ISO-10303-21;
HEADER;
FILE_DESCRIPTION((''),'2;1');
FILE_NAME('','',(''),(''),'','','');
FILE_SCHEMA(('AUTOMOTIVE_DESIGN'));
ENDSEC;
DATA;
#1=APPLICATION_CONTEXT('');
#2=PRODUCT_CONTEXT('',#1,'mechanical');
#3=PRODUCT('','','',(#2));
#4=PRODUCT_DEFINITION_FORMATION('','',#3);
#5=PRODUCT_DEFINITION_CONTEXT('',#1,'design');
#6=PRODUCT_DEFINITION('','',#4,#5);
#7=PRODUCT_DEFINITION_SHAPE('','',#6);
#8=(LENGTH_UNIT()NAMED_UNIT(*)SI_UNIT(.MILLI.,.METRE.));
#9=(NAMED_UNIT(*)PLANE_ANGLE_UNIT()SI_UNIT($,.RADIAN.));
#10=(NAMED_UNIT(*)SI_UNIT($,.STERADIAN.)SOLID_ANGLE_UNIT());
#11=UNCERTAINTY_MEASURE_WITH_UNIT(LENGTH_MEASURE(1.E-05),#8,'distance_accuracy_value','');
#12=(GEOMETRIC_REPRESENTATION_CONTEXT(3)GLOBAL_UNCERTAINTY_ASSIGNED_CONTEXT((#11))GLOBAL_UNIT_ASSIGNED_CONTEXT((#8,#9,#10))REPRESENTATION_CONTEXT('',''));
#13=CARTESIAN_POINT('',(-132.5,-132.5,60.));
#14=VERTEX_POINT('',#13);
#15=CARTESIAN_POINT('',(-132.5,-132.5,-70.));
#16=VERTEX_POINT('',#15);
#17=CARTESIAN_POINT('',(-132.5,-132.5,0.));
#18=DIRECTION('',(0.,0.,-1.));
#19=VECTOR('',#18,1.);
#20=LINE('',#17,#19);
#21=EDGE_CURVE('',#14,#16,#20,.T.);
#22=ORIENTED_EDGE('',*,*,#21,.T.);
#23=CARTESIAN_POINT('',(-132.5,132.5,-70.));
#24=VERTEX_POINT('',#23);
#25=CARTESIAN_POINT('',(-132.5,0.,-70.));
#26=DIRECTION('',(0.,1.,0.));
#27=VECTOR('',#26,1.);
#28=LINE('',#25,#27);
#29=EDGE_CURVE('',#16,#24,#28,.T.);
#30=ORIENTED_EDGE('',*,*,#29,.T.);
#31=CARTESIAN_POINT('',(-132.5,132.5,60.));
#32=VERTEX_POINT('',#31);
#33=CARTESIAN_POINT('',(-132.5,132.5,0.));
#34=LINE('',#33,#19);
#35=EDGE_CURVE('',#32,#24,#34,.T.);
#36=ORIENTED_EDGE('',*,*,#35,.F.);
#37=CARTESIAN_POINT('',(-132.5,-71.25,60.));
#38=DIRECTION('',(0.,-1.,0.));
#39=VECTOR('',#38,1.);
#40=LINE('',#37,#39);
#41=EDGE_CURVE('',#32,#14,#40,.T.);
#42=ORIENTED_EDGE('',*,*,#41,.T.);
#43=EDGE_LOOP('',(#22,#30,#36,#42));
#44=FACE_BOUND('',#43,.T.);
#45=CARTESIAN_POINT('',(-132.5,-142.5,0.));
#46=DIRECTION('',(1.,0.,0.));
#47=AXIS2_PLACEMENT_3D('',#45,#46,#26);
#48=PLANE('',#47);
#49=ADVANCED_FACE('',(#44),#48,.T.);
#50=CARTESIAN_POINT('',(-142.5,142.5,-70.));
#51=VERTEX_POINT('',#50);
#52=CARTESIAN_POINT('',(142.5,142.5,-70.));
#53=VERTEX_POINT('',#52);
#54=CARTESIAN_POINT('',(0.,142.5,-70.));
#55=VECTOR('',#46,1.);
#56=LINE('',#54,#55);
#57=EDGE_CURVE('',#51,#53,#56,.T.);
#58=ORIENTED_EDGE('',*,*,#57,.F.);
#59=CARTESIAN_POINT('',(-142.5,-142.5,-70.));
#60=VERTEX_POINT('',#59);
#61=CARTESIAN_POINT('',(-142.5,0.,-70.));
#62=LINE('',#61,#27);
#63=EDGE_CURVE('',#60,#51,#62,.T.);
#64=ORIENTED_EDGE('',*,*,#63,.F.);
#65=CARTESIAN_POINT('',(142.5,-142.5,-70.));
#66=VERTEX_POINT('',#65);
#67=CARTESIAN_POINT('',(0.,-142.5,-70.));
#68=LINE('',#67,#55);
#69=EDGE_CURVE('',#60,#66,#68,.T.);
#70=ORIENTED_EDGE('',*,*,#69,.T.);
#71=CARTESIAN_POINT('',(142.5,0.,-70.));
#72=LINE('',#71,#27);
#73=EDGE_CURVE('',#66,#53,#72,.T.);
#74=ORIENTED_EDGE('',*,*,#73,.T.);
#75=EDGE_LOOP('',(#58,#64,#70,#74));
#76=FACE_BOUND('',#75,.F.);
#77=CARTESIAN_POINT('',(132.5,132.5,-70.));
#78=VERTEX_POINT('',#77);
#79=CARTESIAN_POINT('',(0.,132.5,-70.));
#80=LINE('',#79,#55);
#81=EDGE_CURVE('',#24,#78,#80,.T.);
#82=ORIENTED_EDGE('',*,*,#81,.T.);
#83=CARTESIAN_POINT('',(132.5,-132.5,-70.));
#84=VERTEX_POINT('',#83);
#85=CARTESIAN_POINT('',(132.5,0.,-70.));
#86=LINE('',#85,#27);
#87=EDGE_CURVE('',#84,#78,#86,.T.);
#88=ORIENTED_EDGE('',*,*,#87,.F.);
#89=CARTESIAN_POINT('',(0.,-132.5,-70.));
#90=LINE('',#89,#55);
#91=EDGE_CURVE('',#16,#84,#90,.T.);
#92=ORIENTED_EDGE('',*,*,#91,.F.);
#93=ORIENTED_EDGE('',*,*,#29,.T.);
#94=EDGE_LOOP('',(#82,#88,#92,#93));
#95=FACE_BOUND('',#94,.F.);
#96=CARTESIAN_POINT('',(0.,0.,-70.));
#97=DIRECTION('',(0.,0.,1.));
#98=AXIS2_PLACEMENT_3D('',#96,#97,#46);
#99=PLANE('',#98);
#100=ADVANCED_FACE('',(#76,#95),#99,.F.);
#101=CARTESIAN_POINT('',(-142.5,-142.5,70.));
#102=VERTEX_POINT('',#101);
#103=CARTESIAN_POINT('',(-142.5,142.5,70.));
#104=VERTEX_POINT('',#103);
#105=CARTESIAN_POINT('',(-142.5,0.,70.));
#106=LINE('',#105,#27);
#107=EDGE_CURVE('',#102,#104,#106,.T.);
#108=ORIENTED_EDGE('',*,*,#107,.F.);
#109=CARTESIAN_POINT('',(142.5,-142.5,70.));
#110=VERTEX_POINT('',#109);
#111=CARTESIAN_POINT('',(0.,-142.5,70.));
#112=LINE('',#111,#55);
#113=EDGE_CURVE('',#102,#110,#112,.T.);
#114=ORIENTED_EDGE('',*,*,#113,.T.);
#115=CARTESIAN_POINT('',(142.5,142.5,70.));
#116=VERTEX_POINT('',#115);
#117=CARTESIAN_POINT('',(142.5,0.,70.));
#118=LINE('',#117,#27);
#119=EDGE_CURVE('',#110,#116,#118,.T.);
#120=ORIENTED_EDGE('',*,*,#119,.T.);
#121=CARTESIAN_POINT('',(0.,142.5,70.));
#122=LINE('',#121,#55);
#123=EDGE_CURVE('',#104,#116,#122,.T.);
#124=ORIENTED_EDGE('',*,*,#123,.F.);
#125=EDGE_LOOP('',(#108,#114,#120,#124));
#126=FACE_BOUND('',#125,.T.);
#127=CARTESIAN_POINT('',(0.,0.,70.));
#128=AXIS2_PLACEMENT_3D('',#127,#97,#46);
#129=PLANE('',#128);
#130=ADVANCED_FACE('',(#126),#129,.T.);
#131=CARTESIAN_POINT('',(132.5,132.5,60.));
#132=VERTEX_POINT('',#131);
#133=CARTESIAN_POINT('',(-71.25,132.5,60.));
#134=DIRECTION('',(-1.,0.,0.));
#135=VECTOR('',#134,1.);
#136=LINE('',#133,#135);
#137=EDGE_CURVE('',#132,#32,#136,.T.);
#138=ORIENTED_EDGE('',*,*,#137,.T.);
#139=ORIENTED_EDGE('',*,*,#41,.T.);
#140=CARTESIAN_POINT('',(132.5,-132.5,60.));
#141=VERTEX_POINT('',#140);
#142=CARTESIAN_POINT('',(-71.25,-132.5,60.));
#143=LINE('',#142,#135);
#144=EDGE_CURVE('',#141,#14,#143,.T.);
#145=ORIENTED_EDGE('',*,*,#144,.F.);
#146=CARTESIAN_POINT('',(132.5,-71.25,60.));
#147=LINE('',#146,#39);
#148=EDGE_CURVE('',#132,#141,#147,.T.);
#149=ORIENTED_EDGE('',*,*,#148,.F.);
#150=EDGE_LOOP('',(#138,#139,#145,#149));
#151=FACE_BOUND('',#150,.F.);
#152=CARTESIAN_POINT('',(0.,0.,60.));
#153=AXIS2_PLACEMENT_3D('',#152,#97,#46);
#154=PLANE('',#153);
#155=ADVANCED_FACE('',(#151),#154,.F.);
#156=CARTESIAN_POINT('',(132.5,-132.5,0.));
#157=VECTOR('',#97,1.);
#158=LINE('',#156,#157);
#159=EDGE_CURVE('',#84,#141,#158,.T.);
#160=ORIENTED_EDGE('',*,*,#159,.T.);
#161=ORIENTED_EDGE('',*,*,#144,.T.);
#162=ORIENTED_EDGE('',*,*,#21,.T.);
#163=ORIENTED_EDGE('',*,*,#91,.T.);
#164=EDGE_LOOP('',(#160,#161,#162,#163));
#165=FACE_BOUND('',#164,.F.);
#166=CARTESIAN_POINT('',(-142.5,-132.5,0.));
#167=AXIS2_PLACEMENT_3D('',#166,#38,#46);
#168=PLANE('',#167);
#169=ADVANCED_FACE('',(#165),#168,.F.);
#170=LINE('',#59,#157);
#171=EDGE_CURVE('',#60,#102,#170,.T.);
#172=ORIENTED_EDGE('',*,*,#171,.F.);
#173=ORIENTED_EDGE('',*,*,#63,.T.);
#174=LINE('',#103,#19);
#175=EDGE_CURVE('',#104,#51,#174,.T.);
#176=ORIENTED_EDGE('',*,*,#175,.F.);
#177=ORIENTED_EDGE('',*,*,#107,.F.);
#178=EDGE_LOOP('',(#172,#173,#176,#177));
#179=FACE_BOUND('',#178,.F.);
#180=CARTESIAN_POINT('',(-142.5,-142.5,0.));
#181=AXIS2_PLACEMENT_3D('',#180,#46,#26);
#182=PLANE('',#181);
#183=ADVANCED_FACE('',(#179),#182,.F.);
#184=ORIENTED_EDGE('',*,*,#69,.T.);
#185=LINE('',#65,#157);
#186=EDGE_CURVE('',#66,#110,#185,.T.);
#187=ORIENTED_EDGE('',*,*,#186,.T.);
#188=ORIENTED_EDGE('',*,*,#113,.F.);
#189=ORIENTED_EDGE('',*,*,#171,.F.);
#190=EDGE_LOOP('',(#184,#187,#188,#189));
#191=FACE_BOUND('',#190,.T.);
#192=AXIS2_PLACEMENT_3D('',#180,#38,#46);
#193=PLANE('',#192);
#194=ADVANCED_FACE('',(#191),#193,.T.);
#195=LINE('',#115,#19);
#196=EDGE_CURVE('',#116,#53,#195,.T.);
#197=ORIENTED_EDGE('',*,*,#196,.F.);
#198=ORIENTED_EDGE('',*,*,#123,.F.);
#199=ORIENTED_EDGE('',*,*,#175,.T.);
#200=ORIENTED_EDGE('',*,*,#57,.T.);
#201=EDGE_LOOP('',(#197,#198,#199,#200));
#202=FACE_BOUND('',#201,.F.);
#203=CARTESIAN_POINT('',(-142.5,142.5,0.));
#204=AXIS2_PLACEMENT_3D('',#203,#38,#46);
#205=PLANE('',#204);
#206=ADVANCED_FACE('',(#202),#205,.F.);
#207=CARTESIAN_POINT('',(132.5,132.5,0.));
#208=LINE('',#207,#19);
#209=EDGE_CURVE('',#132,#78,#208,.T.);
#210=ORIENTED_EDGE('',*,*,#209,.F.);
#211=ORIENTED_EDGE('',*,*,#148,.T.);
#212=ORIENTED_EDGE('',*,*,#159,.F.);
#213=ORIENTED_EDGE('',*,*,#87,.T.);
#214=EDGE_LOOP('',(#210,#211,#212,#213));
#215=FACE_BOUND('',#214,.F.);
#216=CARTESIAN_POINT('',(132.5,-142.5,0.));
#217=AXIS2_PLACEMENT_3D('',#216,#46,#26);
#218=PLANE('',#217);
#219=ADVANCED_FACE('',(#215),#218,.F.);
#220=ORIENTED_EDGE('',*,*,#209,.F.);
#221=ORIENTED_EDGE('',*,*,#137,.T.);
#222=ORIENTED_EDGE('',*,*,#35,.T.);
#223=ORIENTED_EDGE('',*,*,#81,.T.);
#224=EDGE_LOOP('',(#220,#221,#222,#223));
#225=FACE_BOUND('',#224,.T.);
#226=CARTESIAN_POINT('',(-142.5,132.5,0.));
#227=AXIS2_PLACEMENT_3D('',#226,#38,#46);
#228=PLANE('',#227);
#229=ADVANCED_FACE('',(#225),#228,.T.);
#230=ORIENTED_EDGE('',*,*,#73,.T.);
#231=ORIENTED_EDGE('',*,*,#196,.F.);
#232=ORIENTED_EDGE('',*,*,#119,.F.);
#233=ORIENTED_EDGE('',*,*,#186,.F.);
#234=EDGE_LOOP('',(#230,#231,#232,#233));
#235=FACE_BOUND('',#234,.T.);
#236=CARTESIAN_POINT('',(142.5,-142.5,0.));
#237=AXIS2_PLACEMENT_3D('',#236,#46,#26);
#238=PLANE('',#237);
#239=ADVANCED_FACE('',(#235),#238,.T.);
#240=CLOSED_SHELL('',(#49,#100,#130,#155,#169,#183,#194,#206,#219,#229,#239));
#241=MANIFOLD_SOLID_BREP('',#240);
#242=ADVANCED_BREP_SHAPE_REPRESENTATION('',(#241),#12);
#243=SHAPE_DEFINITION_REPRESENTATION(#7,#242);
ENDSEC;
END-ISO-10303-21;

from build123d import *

# Parameters (mm, degrees)
F0_W     = 285
F0_H     = 285
F1_DEPTH = 70
F2_T     = -10


with BuildPart() as f1:
    # F0 (on Top) → F1 (new body, symmetric)
    with BuildSketch(Plane.XY):
        Rectangle(F0_W, F0_H)
    extrude(amount=F1_DEPTH, both=True)

    # F2
    f2_openings = [f1.faces().sort_by_distance(p)[0] for p in [
        (0, 0, -70),
    ]]
    offset(amount=F2_T, openings=f2_openings)


solid = f1.part
